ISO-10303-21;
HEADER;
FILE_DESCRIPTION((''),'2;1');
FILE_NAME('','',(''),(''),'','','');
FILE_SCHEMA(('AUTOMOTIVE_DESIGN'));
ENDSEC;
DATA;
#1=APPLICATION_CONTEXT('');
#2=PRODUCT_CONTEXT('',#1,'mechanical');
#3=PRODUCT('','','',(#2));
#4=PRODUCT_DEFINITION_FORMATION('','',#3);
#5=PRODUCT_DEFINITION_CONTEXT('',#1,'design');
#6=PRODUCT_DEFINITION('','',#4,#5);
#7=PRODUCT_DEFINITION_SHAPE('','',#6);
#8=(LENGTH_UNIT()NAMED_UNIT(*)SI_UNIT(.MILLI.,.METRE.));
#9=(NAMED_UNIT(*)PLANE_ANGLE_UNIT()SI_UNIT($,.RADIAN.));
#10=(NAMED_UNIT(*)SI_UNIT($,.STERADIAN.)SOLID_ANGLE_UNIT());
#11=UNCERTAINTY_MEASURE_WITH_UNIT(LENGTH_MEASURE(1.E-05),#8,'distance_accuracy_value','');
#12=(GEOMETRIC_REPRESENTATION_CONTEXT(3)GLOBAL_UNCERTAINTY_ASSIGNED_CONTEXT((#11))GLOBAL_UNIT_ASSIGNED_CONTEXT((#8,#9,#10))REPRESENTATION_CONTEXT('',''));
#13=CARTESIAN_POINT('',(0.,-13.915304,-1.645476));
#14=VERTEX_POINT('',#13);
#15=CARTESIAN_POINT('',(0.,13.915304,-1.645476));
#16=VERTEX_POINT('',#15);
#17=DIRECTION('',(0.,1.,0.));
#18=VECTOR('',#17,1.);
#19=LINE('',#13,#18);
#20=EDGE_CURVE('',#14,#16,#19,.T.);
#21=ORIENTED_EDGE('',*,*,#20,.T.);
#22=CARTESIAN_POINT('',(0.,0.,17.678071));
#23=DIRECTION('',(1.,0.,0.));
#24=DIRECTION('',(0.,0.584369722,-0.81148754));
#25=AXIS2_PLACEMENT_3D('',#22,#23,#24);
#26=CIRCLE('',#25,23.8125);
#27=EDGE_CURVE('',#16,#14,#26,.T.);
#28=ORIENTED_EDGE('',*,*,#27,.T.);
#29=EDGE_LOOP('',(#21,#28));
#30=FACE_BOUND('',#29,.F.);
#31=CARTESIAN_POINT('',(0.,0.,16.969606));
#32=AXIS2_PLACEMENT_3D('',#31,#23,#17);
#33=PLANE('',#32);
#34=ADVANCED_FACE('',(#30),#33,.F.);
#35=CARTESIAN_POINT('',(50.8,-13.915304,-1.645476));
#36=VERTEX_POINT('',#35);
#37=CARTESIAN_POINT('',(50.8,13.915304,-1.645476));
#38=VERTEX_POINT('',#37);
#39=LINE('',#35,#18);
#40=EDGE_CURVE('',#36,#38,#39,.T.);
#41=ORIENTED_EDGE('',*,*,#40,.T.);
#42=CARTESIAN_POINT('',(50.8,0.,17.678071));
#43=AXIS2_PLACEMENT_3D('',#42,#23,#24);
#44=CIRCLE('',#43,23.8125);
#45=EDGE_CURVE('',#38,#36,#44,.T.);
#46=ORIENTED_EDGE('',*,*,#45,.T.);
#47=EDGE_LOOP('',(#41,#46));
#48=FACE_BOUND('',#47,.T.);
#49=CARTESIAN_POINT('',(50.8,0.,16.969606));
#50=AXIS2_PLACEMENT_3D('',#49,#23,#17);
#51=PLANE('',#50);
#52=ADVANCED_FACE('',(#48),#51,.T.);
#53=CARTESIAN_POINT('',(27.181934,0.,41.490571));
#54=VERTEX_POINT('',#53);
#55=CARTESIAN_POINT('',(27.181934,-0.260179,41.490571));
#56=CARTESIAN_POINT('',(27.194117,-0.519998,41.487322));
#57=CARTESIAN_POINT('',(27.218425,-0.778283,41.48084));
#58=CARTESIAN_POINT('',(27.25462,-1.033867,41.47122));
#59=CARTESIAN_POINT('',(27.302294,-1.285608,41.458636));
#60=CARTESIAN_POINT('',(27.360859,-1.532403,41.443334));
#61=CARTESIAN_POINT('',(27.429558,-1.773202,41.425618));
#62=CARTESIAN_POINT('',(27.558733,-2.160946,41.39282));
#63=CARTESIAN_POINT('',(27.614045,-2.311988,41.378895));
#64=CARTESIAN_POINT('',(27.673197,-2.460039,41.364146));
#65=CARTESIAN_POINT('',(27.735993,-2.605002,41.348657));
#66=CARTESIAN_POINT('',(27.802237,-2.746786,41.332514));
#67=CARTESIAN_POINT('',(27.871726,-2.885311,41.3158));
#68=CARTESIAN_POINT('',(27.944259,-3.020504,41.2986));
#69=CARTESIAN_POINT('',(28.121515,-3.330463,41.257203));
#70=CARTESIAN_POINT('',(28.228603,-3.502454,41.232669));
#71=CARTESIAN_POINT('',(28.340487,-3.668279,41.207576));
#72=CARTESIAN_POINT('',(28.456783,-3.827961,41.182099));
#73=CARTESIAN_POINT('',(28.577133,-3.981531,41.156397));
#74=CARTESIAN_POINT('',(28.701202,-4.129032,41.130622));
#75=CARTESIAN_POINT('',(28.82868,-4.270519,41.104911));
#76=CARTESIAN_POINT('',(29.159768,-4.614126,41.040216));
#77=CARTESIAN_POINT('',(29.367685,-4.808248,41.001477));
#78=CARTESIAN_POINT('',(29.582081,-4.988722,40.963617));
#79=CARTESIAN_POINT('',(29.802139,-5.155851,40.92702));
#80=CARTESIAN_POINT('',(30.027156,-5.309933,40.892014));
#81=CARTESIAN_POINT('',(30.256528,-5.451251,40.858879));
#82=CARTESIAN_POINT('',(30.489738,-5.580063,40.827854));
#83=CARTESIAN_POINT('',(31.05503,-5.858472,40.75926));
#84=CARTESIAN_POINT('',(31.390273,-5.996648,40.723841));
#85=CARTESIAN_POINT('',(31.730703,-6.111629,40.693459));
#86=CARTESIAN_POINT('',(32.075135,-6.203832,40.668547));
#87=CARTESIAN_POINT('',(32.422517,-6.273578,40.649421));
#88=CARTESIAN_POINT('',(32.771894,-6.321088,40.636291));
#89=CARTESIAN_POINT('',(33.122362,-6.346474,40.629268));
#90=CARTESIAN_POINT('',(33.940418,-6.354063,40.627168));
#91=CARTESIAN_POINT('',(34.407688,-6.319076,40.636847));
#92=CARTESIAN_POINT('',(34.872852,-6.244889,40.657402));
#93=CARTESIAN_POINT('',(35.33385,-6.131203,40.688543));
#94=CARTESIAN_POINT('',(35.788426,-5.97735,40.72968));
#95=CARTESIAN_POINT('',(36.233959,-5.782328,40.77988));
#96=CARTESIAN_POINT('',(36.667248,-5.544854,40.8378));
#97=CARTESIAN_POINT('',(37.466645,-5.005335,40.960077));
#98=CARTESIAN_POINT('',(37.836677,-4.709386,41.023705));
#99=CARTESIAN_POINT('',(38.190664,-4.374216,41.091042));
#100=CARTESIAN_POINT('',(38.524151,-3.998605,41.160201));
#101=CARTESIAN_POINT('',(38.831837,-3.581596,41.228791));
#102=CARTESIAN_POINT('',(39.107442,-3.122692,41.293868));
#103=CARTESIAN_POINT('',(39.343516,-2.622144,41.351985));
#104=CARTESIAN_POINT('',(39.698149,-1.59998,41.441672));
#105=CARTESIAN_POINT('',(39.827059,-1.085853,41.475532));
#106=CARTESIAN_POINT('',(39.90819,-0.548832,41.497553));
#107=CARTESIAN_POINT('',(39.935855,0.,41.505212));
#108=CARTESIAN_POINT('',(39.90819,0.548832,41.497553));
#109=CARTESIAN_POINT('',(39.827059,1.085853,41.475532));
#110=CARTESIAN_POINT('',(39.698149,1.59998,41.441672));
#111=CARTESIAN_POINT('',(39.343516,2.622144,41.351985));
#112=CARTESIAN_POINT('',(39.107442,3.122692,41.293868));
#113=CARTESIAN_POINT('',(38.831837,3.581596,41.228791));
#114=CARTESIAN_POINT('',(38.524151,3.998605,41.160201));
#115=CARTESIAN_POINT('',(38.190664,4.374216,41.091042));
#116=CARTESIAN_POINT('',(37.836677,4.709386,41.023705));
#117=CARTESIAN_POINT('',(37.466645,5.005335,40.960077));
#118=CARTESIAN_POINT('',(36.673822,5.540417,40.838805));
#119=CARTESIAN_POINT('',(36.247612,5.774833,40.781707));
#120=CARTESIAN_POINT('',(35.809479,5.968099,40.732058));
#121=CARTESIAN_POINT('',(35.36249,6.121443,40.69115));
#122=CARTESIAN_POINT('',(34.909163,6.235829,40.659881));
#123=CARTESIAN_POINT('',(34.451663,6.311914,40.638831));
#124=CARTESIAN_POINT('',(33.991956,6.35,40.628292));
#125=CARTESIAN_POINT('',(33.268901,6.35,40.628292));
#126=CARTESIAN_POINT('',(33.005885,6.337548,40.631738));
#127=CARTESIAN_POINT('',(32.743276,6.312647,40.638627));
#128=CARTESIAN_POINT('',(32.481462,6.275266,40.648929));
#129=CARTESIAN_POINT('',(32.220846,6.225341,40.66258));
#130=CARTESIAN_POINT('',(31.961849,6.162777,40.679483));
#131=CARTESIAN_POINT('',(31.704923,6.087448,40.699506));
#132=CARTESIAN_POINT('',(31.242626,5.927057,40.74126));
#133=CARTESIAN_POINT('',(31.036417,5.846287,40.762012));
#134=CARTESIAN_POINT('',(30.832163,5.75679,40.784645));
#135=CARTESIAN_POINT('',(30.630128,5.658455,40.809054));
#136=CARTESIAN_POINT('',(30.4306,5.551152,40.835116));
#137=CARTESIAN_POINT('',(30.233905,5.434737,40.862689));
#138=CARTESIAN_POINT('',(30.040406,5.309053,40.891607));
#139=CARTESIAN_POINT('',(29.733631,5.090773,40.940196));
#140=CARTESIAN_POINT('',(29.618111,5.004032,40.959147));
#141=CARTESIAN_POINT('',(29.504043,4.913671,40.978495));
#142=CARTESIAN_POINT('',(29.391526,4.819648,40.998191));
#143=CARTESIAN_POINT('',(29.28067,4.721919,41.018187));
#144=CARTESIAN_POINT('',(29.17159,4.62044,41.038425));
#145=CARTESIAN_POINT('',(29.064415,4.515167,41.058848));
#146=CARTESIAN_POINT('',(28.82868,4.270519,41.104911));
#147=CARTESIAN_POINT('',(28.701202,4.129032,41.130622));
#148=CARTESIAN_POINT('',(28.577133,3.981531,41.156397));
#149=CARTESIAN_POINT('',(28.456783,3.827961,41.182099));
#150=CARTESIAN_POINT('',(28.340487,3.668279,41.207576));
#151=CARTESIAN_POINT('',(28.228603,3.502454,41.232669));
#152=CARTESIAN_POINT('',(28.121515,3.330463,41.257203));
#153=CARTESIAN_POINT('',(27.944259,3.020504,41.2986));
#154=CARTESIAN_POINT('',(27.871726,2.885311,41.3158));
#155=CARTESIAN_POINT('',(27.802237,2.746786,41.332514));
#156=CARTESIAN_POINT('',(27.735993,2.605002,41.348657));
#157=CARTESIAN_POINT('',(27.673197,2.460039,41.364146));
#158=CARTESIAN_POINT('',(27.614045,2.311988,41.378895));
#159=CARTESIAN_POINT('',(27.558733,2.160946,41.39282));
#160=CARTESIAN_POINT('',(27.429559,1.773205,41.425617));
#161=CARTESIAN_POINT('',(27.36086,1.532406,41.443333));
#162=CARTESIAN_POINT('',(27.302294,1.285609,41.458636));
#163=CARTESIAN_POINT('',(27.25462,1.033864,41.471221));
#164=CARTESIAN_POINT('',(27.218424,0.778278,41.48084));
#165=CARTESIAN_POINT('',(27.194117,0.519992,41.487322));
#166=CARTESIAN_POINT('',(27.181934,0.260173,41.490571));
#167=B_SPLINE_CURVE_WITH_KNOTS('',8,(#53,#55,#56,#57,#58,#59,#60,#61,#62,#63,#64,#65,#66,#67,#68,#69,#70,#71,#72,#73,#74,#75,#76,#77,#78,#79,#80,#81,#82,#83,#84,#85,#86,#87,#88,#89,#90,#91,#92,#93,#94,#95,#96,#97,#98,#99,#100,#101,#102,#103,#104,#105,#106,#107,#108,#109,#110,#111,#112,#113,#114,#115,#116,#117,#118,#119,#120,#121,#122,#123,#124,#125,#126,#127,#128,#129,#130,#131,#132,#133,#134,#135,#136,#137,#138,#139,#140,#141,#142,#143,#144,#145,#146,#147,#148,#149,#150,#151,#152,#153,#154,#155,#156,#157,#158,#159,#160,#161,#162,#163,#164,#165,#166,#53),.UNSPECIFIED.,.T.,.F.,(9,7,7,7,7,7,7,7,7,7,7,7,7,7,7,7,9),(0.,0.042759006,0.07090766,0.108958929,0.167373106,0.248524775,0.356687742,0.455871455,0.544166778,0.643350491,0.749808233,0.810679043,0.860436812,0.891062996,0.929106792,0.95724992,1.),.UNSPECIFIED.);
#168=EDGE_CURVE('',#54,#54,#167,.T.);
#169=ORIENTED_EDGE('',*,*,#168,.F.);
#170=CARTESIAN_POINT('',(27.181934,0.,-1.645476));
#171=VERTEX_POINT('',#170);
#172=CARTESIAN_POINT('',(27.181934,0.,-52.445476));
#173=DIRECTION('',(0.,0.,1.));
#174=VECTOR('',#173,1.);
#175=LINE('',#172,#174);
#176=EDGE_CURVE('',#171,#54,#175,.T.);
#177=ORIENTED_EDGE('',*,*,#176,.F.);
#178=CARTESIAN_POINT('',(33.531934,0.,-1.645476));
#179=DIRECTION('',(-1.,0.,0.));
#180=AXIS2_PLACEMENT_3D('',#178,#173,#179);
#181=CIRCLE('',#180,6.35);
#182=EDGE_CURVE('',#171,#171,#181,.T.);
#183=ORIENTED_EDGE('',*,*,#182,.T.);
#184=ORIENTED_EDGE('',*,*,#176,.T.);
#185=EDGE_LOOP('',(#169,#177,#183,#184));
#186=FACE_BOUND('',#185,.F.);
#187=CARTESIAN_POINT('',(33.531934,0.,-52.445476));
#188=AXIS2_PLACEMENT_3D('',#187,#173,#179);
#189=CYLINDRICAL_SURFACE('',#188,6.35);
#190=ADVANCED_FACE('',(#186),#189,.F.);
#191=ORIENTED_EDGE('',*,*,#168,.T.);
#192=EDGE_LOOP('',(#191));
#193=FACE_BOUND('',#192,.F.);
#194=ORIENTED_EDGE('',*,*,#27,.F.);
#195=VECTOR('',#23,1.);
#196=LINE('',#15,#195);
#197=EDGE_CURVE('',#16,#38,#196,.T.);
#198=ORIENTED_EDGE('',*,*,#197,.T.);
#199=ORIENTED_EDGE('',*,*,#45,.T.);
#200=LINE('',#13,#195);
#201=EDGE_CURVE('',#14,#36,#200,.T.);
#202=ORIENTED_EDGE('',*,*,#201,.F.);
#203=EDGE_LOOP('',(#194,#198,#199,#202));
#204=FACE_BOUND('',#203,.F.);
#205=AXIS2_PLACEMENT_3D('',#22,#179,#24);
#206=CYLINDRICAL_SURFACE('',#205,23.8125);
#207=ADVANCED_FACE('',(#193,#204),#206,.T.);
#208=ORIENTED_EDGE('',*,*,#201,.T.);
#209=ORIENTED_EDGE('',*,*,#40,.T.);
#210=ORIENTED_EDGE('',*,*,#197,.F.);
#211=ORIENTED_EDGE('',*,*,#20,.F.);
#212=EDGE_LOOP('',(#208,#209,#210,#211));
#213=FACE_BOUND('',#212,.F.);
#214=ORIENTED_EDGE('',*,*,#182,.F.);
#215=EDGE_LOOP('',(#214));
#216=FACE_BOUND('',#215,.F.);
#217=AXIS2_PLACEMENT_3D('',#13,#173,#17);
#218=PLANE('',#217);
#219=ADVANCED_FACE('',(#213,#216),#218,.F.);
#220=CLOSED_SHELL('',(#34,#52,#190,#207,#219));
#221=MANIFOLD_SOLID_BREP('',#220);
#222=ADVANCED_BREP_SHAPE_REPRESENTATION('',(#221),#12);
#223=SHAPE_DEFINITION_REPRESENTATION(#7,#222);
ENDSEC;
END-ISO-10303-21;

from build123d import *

# Parameters (mm, degrees)
F1_DEPTH = 50.8
F3_D     = 12.7
F3_DEPTH = 50.8


with BuildPart() as f1:
    # F0 (on Right) → F1 (new body)
    with BuildSketch(Plane.YZ):
        with BuildLine():
            Line((-13.915304, -1.645476), (13.915304, -1.645476))
            ThreePointArc((13.915304, -1.645476), (0, 41.490571), (-13.915304, -1.645476))
        make_face()
    extrude(amount=F1_DEPTH)

    # F3
    with Locations(Plane(origin=(0, 0, -1.645476), x_dir=(1, 0, 0), z_dir=(0, 0, -1))):
        with Locations((33.531934, 0)):
            Hole(F3_D / 2, depth=F3_DEPTH)


solid = f1.part
